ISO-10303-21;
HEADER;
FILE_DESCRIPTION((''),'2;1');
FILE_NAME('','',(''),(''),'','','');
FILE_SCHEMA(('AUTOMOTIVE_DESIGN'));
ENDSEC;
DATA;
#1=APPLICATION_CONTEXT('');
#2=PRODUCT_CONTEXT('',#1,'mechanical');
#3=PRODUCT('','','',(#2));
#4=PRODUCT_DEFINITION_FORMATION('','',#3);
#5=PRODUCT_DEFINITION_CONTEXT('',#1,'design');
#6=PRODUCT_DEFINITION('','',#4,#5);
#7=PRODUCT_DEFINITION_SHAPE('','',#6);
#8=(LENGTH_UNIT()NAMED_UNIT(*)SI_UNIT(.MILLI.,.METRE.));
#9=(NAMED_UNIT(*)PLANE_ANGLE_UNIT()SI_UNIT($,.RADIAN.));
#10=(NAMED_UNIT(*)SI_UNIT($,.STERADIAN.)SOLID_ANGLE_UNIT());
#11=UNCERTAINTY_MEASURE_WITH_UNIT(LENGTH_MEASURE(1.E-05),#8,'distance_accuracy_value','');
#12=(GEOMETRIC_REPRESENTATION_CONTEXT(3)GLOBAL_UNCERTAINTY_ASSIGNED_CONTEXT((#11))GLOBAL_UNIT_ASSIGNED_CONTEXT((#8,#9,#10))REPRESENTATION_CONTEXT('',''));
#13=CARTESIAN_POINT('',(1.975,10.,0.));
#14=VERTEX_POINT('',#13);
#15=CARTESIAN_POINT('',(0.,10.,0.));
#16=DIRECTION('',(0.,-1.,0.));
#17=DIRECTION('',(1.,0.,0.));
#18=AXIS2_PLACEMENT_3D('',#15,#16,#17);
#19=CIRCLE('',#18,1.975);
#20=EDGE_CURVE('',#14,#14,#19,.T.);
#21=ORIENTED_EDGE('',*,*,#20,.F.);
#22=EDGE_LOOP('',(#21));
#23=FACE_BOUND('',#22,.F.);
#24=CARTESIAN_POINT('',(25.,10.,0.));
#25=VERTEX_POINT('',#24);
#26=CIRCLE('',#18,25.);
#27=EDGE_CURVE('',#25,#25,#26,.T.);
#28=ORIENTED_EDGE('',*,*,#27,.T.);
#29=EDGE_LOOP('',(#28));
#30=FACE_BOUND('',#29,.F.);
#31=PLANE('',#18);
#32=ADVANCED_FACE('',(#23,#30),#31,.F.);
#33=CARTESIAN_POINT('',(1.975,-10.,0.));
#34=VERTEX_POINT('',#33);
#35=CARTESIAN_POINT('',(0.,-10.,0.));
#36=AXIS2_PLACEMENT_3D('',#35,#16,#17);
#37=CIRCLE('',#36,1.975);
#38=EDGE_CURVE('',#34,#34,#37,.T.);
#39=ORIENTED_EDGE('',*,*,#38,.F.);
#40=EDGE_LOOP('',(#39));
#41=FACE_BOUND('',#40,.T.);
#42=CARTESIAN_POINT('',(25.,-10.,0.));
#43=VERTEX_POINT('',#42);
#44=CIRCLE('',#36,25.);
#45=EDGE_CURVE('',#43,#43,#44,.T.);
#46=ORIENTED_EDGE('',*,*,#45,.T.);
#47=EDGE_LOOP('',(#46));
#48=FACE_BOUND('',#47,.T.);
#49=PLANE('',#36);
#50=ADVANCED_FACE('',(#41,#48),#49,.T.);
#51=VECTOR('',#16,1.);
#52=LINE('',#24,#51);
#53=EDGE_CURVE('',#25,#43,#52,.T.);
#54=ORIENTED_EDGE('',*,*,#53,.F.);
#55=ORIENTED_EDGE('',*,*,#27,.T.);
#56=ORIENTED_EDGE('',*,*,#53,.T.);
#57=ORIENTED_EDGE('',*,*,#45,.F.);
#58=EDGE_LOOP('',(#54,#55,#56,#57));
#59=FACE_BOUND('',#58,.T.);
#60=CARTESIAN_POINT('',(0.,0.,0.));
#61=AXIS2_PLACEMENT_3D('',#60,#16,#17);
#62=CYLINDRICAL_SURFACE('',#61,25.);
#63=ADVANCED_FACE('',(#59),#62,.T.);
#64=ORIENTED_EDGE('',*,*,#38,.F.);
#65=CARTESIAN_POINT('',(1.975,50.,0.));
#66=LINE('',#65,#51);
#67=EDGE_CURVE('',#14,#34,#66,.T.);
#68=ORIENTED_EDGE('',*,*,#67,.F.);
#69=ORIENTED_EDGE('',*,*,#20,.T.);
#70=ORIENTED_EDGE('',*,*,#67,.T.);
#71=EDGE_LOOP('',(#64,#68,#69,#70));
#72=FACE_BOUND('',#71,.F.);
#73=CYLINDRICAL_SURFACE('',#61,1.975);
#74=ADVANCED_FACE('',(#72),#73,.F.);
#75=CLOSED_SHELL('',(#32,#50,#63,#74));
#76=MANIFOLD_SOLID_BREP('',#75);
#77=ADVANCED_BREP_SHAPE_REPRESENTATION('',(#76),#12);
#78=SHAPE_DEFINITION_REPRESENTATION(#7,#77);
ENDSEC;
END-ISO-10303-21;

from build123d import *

# Parameters (mm, degrees)
F1_R     = 25
F2_DEPTH = 10
F3_R     = 1.975
F4_DEPTH = 50


with BuildPart() as f2:
    # F1 (on offset) → F2 (new body, symmetric)
    with BuildSketch(Plane.XZ):
        Circle(F1_R)
    extrude(amount=F2_DEPTH, both=True)

    # F3 (on Front) → F4 (cut, symmetric)
    with BuildSketch(Plane.XZ):
        Circle(F3_R)
    extrude(amount=F4_DEPTH, both=True, mode=Mode.SUBTRACT)


solid = f2.part
